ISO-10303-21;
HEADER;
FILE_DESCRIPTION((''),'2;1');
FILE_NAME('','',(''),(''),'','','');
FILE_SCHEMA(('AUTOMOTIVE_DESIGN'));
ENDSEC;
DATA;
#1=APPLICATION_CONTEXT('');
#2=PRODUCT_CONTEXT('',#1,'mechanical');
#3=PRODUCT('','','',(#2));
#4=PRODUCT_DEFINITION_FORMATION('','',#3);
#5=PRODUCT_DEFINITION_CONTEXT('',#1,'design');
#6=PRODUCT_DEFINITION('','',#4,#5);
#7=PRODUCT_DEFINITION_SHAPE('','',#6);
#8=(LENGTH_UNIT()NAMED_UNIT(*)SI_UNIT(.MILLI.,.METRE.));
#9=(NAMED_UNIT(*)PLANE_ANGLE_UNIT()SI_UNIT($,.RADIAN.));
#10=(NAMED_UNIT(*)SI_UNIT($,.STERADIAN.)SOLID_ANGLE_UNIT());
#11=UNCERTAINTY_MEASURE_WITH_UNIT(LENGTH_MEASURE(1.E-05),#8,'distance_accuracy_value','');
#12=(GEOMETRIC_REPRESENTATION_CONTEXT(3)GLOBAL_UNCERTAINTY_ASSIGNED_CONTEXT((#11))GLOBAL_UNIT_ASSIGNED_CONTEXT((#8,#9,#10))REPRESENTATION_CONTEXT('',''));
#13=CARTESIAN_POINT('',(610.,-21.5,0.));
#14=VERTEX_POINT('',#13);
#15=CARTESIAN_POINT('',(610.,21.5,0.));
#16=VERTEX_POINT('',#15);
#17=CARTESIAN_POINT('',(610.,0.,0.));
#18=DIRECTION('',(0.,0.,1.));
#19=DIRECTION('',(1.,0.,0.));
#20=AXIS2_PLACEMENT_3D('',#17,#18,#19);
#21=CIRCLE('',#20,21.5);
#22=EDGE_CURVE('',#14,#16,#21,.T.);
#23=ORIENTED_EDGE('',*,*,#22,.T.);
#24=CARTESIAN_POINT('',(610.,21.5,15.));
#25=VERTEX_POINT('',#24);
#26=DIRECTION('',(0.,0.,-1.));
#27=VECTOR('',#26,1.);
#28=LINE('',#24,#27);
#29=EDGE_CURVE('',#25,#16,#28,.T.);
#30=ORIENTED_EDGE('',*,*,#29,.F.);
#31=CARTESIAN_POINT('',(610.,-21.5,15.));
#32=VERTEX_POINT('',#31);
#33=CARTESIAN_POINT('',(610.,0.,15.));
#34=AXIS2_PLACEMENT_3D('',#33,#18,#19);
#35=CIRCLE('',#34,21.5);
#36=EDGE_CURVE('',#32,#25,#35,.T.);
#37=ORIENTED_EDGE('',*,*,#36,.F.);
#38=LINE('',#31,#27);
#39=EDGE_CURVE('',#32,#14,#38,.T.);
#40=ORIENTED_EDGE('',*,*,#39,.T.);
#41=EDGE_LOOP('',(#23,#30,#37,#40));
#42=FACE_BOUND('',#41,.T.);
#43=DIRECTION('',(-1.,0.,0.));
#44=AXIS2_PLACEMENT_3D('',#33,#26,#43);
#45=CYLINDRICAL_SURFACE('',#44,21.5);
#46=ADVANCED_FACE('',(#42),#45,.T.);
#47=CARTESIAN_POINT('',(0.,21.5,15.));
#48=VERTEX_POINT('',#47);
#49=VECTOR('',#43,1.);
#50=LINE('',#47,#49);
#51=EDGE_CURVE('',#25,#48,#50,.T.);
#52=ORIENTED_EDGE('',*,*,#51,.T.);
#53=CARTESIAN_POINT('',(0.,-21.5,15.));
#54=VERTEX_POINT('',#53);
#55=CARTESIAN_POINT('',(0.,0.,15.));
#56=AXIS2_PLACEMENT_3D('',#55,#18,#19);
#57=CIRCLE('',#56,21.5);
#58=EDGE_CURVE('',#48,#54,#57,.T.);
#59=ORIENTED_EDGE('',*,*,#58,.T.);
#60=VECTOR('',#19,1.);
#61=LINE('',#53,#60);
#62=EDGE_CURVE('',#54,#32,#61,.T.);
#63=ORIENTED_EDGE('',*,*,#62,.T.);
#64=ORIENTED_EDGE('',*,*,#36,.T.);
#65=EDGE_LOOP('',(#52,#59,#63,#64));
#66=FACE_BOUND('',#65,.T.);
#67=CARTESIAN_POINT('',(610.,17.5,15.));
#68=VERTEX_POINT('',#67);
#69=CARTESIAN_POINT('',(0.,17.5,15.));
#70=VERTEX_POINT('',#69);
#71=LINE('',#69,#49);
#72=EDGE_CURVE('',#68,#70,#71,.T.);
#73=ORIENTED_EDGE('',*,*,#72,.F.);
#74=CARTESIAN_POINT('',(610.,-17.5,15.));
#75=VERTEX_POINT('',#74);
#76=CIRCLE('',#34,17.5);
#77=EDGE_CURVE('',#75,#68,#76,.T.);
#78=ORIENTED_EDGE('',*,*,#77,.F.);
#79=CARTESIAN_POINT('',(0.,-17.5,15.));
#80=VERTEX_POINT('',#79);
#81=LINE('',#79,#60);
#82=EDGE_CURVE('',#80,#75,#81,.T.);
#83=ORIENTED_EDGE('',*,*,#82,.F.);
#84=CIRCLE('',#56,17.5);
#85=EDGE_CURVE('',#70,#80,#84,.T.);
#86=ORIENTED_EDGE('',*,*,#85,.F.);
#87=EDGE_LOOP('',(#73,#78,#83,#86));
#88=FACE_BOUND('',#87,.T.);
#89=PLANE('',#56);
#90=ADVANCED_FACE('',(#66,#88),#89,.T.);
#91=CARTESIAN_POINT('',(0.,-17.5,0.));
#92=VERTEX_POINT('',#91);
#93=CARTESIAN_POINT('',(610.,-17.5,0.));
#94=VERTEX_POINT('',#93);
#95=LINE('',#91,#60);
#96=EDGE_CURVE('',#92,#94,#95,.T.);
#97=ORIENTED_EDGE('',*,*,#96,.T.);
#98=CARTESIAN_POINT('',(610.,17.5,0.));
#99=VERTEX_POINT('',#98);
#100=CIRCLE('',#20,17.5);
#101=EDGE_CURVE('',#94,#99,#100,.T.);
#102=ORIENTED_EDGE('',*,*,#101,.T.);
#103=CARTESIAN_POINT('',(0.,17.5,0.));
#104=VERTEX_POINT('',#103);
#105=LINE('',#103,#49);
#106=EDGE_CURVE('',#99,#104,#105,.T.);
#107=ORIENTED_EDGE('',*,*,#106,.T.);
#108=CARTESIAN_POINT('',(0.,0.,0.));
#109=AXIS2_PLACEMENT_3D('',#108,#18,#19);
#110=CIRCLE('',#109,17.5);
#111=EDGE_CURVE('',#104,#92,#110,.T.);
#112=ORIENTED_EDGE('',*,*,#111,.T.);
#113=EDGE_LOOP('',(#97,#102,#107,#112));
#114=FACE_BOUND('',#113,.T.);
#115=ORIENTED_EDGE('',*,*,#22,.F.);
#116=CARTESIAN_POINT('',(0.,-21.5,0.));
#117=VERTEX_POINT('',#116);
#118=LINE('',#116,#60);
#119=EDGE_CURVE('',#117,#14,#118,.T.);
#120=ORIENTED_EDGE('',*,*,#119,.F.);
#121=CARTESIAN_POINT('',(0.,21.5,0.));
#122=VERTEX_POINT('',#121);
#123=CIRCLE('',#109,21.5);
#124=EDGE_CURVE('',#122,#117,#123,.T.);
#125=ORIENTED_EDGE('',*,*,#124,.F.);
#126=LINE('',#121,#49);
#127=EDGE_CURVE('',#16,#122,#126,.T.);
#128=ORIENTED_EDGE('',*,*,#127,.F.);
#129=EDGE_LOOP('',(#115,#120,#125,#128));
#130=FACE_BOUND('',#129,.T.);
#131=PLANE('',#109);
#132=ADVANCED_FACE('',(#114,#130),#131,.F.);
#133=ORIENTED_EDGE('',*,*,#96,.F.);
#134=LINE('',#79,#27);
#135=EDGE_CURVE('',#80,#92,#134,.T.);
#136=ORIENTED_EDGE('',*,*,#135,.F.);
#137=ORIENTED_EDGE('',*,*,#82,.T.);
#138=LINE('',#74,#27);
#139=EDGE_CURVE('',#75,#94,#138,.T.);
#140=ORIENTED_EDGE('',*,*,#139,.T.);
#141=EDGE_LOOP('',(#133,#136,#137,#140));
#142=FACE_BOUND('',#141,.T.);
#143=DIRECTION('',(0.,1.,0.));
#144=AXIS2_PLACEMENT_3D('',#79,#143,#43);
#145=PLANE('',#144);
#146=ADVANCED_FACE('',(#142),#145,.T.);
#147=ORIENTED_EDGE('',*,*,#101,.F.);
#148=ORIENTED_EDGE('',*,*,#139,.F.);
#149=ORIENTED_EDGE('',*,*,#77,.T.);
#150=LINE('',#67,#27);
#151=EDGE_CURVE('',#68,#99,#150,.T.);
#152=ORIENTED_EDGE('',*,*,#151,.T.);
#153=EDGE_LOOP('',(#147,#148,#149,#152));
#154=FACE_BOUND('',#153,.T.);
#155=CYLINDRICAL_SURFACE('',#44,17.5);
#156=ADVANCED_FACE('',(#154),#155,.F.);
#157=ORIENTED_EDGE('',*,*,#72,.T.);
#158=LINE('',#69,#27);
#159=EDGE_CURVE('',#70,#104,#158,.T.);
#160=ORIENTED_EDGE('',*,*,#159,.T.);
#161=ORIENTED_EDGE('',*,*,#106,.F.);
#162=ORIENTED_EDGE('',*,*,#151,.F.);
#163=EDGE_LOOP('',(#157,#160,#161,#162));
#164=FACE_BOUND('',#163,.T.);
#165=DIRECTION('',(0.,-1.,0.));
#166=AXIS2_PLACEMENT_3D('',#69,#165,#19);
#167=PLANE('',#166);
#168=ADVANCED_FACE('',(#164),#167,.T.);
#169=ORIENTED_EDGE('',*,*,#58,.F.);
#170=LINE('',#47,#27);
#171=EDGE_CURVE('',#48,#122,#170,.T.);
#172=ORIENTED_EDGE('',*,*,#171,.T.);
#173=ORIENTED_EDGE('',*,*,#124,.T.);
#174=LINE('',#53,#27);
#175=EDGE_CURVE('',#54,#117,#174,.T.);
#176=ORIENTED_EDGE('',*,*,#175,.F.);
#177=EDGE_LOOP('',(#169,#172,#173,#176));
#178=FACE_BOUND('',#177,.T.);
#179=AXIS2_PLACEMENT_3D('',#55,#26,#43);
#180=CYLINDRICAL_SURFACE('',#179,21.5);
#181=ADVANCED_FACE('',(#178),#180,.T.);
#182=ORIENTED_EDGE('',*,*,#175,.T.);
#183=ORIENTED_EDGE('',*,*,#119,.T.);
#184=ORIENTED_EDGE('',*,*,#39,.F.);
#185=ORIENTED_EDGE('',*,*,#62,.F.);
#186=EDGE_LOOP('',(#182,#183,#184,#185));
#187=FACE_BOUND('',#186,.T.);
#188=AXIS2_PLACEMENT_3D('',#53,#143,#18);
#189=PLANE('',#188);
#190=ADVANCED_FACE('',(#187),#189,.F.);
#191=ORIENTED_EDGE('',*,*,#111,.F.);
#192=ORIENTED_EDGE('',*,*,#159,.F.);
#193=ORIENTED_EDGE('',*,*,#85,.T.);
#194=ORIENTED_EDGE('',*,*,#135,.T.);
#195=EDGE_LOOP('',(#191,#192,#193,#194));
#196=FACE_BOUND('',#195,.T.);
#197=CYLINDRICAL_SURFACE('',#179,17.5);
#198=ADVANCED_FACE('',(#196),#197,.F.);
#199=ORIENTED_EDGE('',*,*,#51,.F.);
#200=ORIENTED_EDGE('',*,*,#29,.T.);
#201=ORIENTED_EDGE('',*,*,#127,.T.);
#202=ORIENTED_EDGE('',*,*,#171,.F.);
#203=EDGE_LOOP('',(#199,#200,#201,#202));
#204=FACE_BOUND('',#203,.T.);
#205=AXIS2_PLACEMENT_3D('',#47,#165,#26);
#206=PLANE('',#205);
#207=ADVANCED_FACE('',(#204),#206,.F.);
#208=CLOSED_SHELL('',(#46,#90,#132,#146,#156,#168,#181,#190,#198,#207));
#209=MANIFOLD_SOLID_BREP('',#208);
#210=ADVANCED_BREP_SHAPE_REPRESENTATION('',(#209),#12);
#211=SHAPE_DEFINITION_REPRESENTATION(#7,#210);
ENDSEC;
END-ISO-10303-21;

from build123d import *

# Parameters (mm, degrees)
EXTRUDE_1_DEPTH = 15


with BuildPart() as part:
    # 草图1 → 凸台-拉伸1 (new body)
    with BuildSketch(Plane.XY):
        with BuildLine():
            Line((0, 21.5), (610, 21.5))
            ThreePointArc((610, 21.5), (631.5, 0), (610, -21.5))
            Line((610, -21.5), (0, -21.5))
            ThreePointArc((0, -21.5), (-21.5, 0), (0, 21.5))
        make_face()
        with BuildLine():
            Line((0, 17.5), (610, 17.5))
            ThreePointArc((610, 17.5), (627.5, 0), (610, -17.5))
            Line((610, -17.5), (0, -17.5))
            ThreePointArc((0, -17.5), (-17.5, 0), (0, 17.5))
        make_face(mode=Mode.SUBTRACT)
    extrude(amount=EXTRUDE_1_DEPTH)


solid = part.part
